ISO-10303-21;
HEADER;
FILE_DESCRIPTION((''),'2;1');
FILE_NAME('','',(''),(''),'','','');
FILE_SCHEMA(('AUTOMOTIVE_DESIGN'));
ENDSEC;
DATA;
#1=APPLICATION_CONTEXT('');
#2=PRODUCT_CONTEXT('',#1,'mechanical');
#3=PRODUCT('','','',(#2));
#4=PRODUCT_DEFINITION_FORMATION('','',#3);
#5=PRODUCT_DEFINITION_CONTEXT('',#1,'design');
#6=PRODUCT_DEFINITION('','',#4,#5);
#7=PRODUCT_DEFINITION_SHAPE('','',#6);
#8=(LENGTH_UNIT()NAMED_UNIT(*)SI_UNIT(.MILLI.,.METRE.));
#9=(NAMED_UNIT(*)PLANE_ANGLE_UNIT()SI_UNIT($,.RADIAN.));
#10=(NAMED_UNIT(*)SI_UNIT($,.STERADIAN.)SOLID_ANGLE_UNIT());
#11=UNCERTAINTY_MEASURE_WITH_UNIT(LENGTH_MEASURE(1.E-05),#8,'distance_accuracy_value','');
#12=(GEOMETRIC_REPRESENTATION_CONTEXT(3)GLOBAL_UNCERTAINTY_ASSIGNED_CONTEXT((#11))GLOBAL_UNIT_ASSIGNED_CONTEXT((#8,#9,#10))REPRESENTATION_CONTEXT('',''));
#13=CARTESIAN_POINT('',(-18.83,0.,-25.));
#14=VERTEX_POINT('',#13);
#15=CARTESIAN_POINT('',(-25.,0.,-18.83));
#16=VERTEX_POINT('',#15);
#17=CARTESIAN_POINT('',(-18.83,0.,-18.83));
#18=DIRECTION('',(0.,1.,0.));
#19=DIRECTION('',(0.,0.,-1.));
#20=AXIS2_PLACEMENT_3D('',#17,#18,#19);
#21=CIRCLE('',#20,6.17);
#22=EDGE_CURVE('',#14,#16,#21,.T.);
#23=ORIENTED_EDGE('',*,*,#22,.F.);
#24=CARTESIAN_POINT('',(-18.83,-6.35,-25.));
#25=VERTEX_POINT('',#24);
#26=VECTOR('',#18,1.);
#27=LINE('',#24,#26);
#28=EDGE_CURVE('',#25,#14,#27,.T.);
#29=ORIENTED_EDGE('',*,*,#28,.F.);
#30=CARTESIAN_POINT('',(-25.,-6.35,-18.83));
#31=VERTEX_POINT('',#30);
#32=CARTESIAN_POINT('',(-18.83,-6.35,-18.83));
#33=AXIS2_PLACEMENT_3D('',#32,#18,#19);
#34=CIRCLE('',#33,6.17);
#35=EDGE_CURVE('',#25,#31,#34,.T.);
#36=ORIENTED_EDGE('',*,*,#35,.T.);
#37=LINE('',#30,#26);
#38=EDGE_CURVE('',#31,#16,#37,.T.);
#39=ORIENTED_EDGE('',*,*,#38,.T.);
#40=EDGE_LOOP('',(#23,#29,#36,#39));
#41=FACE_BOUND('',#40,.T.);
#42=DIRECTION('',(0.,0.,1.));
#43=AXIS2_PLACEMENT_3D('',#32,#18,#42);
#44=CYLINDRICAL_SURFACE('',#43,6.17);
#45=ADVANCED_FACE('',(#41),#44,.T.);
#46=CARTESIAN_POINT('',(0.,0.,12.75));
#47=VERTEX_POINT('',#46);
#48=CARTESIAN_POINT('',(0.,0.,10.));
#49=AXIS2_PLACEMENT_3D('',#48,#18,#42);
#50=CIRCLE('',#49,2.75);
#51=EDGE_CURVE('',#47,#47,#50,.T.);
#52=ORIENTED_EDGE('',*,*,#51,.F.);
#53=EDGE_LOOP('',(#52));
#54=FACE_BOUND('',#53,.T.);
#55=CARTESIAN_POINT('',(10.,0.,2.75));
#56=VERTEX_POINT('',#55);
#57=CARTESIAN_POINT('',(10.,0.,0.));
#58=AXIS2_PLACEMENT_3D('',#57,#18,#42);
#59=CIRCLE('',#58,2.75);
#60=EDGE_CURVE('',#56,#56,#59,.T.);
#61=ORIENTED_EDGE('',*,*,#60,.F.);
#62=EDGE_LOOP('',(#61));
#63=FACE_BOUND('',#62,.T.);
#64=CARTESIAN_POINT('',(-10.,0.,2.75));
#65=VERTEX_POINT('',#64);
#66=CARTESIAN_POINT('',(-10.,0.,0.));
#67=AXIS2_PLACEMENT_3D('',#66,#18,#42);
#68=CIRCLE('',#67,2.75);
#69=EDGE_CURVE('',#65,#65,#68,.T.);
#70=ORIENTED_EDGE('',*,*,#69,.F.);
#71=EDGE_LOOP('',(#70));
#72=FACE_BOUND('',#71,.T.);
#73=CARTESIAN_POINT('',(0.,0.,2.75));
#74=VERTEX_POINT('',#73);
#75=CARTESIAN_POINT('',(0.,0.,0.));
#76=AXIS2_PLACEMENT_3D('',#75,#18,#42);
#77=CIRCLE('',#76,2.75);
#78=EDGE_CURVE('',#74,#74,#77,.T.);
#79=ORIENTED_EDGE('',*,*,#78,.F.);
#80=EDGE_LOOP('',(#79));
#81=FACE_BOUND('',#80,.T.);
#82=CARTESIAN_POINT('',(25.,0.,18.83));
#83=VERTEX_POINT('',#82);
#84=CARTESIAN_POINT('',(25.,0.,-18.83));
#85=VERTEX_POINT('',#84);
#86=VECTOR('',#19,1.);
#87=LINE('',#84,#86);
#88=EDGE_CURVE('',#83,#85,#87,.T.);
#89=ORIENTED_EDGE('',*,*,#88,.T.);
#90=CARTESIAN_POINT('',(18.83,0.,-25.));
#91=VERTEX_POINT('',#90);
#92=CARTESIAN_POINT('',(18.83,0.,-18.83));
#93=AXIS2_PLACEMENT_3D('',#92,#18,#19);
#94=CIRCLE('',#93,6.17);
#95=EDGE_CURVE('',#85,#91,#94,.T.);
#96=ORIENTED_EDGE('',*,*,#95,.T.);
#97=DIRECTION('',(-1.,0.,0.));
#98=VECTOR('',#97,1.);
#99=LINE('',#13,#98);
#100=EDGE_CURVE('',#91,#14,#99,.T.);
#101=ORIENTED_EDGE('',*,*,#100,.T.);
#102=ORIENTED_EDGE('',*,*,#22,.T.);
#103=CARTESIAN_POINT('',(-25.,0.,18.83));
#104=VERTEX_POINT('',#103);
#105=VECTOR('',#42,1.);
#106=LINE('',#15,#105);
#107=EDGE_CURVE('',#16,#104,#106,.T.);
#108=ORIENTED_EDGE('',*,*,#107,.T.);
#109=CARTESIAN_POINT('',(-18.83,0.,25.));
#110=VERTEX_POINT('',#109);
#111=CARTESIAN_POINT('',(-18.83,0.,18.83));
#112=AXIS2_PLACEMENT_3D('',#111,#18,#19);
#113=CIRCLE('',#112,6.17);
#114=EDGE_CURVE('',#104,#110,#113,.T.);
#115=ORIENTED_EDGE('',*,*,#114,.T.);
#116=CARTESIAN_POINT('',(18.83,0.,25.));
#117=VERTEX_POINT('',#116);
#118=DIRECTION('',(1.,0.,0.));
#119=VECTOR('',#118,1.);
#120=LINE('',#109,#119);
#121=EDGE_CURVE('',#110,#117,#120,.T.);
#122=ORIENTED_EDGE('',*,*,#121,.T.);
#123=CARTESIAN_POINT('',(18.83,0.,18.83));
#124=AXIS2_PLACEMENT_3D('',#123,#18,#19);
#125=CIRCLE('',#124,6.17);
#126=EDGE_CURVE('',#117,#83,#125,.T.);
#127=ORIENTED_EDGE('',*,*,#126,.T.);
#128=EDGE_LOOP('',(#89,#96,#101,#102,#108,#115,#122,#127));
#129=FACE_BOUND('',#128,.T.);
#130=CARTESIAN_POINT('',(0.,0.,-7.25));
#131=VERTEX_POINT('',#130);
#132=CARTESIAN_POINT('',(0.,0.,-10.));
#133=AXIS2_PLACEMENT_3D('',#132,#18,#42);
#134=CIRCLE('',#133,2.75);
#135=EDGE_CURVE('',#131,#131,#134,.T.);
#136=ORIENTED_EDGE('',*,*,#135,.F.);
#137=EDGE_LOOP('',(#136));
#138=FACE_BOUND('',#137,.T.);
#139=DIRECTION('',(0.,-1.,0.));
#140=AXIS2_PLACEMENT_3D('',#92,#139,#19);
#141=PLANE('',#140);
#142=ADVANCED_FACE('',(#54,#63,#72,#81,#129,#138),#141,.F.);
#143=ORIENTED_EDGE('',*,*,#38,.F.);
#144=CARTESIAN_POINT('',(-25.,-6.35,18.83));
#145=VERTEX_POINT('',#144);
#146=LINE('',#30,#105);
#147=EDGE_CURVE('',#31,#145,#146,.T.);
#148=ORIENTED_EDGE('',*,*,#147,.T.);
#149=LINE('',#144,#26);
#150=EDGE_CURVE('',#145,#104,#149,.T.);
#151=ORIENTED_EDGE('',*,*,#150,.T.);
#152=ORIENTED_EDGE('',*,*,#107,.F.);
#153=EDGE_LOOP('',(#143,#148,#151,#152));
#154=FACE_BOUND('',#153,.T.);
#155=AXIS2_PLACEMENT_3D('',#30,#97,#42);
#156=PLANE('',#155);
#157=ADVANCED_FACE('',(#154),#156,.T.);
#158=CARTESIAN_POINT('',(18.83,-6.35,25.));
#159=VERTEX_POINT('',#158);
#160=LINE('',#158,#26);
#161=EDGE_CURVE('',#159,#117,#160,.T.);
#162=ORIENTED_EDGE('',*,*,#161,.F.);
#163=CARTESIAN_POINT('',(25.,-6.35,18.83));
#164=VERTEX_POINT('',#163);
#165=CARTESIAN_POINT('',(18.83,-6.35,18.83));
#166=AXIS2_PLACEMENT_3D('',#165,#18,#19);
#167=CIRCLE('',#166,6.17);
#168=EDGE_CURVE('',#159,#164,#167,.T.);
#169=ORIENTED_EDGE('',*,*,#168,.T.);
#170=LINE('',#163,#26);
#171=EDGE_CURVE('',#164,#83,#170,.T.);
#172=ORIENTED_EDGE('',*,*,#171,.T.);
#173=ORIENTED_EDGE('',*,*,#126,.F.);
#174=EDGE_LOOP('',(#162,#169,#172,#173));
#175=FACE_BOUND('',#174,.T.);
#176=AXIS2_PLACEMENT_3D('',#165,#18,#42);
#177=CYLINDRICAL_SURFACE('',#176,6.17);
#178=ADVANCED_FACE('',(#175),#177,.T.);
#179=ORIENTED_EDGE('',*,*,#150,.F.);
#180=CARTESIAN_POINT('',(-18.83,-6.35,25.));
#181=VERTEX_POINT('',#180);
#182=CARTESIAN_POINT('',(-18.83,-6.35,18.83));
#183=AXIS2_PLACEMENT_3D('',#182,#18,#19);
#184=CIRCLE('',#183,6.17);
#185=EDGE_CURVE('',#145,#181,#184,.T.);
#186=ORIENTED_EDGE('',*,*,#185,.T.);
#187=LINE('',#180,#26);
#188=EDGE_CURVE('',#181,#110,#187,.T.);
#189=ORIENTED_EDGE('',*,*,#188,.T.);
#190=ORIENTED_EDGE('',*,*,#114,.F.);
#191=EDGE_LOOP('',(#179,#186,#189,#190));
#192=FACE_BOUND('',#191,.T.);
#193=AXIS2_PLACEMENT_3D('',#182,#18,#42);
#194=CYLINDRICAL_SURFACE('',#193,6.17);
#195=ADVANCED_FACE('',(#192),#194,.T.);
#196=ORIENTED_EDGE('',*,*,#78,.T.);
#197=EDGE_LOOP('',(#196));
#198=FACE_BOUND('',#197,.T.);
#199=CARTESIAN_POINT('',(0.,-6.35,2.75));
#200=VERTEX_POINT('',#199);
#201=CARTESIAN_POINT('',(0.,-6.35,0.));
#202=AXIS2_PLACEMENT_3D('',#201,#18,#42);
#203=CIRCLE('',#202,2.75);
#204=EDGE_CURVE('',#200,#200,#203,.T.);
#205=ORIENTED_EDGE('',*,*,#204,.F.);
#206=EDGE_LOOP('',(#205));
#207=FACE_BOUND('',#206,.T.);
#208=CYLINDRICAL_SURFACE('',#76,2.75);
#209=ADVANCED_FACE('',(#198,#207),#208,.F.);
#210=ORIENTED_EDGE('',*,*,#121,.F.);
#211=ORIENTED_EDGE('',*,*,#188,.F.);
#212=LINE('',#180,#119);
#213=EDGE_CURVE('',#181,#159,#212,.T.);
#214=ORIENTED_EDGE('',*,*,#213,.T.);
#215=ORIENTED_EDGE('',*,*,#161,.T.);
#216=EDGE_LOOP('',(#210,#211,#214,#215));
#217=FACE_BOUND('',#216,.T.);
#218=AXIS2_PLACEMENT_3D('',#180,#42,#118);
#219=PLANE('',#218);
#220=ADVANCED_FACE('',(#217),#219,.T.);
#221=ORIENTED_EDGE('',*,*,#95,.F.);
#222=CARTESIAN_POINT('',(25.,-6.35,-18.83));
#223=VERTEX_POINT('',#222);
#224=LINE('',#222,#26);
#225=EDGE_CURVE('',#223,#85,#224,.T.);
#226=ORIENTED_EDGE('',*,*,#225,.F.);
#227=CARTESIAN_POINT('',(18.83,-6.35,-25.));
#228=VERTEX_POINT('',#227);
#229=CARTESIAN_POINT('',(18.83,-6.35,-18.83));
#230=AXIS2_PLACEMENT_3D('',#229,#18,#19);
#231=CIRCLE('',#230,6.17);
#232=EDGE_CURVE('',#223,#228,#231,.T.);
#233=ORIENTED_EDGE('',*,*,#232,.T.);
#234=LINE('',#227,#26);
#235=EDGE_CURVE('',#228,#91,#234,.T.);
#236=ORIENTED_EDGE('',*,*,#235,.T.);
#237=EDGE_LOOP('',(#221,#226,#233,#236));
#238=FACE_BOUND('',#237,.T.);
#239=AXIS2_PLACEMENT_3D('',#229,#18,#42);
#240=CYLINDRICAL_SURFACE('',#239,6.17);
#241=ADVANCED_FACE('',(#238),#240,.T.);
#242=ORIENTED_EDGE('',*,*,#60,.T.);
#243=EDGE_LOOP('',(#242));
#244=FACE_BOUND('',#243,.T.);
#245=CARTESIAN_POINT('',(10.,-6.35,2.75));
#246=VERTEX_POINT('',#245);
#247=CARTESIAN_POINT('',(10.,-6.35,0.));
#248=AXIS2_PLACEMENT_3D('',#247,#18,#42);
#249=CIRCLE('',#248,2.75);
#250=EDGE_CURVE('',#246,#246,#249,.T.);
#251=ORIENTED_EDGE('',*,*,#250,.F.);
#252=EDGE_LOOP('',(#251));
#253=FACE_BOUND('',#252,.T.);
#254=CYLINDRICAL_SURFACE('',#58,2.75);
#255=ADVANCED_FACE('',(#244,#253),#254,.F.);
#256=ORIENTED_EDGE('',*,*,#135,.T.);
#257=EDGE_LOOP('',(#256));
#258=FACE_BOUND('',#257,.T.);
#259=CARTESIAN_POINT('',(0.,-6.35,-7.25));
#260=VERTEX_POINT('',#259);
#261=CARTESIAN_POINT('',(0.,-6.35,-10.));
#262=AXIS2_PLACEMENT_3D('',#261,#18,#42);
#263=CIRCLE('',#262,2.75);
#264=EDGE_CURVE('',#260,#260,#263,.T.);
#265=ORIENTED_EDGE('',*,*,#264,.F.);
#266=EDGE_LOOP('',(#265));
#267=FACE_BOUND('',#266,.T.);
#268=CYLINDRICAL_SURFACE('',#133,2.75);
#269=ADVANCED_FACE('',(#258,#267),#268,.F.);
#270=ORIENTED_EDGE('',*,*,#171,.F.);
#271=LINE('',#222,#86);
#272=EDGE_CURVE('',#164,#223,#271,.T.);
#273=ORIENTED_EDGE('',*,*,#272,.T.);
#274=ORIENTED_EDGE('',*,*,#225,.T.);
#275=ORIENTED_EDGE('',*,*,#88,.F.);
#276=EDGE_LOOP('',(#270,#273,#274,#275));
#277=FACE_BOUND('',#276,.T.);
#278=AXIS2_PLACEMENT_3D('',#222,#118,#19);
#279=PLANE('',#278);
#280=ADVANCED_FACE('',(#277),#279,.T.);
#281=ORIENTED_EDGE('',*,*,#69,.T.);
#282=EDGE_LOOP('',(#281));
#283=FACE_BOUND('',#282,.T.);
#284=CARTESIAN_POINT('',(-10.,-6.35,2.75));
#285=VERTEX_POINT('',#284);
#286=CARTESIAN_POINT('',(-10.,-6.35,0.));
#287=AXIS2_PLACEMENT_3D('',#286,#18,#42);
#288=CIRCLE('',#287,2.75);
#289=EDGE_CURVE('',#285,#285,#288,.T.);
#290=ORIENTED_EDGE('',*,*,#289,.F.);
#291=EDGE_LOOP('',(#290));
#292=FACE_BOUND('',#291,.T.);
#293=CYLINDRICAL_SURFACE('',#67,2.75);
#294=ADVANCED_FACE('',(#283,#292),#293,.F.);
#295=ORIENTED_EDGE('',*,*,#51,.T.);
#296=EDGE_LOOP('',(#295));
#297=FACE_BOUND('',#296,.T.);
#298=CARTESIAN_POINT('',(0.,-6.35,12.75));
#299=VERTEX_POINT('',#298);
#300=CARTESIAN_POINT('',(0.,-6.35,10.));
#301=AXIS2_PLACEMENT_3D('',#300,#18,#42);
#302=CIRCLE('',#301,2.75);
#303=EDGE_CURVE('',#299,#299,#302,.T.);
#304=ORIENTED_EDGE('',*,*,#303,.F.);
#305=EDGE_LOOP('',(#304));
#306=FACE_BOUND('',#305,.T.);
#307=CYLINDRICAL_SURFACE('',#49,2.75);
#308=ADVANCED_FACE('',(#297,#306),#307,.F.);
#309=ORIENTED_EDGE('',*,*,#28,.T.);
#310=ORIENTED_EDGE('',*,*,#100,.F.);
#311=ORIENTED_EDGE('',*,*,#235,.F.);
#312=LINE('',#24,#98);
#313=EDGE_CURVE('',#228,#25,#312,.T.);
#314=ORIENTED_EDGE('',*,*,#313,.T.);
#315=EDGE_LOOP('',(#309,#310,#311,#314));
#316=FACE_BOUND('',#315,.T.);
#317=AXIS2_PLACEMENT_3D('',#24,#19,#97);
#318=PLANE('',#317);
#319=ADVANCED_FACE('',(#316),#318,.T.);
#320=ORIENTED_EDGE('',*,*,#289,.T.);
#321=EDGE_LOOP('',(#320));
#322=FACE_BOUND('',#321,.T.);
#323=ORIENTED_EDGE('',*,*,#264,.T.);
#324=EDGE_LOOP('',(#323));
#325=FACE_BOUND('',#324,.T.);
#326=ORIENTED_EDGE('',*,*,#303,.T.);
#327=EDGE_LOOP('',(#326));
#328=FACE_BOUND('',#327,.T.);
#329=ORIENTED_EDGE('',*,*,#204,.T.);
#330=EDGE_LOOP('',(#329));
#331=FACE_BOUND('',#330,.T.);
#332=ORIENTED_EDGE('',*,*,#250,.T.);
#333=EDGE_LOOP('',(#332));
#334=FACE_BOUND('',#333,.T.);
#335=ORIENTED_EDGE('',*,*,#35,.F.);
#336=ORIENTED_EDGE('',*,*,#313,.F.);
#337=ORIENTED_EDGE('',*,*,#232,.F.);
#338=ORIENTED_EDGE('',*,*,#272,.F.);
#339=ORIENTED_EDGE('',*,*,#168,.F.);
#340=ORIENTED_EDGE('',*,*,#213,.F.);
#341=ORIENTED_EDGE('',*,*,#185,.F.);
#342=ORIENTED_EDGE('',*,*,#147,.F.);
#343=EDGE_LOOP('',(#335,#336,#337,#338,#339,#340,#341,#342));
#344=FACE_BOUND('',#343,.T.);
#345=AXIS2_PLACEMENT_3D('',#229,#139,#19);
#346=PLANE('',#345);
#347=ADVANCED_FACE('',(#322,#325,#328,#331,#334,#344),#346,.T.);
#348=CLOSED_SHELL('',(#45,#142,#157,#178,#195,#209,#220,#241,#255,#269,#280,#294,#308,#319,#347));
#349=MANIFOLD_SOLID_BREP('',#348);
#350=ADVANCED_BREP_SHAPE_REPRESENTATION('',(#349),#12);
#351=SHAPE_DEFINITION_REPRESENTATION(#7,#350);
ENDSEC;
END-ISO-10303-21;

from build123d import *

# Parameters (mm, degrees)
EXTRUDE_1_DEPTH    = 6.35
HOLE_WIZARD_M5_1_D = 5.5


with BuildPart() as part:
    # 스케치1 → 보스-돌출1 (new body)
    with BuildSketch(Plane(origin=(0, 0, 0), x_dir=(1, 0, 0), z_dir=(0, 1, 0))):
        with BuildLine():
            Line((-18.83, 25), (18.83, 25))
            ThreePointArc((18.83, 25), (23.19284884, 23.19284884), (25, 18.83))
            Line((25, 18.83), (25, -18.83))
            ThreePointArc((25, -18.83), (23.19284884, -23.19284884), (18.83, -25))
            Line((18.83, -25), (-18.83, -25))
            ThreePointArc((-18.83, -25), (-23.19284884, -23.19284884), (-25, -18.83))
            Line((-25, -18.83), (-25, 18.83))
            ThreePointArc((-25, 18.83), (-23.19284884, 23.19284884), (-18.83, 25))
        make_face()
    extrude(amount=-EXTRUDE_1_DEPTH)

    # M5 여유 구멍1 (through all)
    with Locations(Plane(origin=(0, 0, 0), x_dir=(1, 0, 0), z_dir=(0, 1, 0))):
        with Locations((0, 10), (10, 0), (0, -10), (-10, 0), (0, 0)):
            Hole(HOLE_WIZARD_M5_1_D / 2)


solid = part.part
